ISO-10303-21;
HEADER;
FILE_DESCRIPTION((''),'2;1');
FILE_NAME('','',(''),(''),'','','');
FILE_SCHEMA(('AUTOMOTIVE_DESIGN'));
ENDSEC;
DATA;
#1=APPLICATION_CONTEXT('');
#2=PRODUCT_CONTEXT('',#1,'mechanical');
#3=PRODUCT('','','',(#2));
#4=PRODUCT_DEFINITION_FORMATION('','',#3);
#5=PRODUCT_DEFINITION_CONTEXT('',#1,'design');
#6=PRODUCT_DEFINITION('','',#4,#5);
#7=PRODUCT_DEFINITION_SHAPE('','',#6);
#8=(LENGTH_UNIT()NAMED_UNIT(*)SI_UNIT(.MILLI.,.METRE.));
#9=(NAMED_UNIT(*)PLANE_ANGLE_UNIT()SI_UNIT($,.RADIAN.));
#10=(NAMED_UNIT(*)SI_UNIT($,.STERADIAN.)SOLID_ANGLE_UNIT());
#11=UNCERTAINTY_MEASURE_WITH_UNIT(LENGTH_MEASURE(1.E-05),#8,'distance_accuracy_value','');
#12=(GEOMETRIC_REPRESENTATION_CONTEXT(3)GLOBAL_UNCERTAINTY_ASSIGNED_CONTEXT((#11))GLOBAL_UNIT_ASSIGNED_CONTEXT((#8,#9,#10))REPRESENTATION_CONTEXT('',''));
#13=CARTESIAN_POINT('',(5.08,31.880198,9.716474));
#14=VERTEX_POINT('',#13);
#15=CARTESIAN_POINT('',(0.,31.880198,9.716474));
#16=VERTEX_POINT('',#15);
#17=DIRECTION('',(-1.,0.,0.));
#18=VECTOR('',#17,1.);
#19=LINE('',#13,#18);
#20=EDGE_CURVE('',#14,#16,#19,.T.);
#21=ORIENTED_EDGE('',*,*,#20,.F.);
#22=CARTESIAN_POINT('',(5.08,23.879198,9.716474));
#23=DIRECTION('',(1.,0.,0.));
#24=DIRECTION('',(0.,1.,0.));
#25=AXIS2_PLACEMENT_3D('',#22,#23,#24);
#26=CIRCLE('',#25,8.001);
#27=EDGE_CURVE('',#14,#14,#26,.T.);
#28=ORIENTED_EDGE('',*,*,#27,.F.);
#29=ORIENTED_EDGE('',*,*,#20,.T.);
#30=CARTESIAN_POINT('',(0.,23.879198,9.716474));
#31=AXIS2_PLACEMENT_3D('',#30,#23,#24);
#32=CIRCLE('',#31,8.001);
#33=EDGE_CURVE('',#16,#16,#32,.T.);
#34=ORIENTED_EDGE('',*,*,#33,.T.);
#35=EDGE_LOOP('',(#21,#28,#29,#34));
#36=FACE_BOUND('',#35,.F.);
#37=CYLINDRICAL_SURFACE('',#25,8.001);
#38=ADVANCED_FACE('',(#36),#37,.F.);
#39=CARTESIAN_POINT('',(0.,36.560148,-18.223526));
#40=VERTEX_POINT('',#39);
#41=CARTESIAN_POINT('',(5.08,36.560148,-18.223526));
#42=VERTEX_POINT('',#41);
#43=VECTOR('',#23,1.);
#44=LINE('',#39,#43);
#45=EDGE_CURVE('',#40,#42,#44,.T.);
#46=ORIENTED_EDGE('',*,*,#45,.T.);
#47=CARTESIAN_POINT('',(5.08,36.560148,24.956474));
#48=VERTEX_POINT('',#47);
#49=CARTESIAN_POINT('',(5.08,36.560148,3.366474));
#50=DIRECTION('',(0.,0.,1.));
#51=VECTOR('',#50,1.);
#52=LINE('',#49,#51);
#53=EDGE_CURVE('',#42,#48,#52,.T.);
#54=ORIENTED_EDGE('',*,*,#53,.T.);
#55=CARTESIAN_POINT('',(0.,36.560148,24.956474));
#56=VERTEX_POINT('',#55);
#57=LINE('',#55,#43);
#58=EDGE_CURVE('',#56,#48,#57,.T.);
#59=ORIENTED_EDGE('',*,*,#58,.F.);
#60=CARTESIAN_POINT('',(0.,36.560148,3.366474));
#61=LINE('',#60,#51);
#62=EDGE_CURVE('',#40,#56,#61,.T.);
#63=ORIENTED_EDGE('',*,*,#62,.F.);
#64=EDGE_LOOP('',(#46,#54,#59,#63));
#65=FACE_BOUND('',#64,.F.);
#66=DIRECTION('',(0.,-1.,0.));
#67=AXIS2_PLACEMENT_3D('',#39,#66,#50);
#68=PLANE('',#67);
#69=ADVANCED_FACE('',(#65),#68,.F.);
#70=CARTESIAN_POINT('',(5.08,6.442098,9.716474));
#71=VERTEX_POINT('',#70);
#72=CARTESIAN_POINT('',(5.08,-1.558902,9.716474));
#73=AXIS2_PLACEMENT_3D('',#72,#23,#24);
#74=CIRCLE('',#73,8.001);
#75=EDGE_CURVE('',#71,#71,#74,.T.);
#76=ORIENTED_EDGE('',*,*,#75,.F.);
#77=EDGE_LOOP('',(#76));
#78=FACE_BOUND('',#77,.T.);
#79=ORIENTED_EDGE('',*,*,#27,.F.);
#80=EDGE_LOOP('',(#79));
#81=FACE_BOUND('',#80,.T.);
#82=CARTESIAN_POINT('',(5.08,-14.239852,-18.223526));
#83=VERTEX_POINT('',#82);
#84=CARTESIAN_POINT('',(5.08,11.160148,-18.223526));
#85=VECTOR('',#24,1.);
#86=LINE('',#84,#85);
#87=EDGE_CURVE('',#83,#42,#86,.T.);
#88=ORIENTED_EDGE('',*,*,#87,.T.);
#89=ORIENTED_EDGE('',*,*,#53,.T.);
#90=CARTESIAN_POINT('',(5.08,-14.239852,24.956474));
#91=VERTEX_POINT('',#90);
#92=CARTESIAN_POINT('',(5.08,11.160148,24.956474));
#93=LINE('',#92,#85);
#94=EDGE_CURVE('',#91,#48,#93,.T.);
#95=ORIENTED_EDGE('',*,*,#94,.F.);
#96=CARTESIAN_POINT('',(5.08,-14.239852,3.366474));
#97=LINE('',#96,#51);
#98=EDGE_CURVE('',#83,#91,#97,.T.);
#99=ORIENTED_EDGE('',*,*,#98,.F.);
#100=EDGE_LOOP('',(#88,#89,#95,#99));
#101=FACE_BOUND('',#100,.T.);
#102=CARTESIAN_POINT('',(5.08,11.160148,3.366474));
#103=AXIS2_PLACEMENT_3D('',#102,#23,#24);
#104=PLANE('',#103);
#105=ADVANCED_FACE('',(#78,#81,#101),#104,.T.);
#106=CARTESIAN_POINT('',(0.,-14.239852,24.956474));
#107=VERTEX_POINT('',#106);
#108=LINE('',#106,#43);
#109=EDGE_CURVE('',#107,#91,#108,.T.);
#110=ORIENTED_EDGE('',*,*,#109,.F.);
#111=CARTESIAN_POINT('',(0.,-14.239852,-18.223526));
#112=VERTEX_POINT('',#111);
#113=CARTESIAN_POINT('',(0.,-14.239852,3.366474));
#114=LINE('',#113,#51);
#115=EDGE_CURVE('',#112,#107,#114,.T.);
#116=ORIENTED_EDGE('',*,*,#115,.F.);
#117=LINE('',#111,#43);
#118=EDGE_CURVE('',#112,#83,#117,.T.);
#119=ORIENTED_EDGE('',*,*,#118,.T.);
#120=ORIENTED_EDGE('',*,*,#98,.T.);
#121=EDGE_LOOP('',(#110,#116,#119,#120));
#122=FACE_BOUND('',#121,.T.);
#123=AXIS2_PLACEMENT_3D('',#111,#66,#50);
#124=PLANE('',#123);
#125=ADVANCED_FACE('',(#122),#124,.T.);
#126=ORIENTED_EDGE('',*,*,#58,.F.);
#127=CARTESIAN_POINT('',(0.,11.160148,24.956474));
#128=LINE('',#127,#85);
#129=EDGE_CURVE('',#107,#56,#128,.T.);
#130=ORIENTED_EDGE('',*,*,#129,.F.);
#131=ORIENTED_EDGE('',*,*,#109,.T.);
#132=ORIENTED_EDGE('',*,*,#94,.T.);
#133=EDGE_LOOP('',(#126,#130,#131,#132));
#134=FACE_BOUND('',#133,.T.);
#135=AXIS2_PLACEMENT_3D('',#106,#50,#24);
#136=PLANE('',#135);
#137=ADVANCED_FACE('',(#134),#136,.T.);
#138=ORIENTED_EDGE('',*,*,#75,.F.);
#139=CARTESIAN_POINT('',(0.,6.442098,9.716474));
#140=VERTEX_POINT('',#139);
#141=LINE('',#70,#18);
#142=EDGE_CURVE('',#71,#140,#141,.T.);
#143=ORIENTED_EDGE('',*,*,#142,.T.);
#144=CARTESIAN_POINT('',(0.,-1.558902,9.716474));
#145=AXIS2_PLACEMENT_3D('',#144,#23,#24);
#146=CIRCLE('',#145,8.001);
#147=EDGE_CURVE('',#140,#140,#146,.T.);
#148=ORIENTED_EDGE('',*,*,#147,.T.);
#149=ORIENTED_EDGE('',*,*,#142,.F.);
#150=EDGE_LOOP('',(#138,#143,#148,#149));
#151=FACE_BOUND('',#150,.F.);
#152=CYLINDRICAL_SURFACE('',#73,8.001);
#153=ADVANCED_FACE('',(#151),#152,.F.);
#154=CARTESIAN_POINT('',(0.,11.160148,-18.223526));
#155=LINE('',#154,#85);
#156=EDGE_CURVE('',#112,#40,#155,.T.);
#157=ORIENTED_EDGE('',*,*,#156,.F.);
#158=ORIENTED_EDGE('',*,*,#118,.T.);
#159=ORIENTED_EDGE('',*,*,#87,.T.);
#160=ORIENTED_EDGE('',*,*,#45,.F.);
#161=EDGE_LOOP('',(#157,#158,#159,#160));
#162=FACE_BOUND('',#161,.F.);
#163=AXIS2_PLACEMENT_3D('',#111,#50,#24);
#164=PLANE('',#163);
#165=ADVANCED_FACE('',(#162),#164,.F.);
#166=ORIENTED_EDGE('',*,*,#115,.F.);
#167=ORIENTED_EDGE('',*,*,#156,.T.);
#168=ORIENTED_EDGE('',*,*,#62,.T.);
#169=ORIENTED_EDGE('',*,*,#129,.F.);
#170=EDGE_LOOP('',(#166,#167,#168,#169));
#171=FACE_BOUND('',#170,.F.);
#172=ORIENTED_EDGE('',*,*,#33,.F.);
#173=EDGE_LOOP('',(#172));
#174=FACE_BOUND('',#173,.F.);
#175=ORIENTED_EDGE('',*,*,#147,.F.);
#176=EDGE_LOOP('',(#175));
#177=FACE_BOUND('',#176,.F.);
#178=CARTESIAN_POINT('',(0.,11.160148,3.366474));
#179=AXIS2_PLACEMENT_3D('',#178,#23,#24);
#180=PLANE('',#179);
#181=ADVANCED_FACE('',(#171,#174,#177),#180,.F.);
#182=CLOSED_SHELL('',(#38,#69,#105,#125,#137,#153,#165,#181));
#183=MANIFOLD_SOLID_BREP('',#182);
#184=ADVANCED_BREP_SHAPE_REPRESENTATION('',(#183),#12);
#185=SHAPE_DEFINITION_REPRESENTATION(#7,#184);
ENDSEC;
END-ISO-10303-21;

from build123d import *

# Parameters (mm, degrees)
F0_W     = 50.8
F0_H     = 43.18
F1_DEPTH = 5.08
F2_R     = 8.001
F3_DEPTH = 25.4


with BuildPart() as f1:
    # F0 (on Right) → F1 (new body)
    with BuildSketch(Plane.YZ):
        with Locations((11.160148, 3.366474)):
            Rectangle(F0_W, F0_H)
    extrude(amount=F1_DEPTH)

    # F2 (on face) → F3 (cut)
    with BuildSketch(Plane.YZ.offset(5.08)):
        with Locations((23.879198, 9.716474)):
            Circle(F2_R)
        with Locations((-1.558902, 9.716474)):
            Circle(F2_R)
    extrude(amount=-F3_DEPTH, mode=Mode.SUBTRACT)


solid = f1.part
